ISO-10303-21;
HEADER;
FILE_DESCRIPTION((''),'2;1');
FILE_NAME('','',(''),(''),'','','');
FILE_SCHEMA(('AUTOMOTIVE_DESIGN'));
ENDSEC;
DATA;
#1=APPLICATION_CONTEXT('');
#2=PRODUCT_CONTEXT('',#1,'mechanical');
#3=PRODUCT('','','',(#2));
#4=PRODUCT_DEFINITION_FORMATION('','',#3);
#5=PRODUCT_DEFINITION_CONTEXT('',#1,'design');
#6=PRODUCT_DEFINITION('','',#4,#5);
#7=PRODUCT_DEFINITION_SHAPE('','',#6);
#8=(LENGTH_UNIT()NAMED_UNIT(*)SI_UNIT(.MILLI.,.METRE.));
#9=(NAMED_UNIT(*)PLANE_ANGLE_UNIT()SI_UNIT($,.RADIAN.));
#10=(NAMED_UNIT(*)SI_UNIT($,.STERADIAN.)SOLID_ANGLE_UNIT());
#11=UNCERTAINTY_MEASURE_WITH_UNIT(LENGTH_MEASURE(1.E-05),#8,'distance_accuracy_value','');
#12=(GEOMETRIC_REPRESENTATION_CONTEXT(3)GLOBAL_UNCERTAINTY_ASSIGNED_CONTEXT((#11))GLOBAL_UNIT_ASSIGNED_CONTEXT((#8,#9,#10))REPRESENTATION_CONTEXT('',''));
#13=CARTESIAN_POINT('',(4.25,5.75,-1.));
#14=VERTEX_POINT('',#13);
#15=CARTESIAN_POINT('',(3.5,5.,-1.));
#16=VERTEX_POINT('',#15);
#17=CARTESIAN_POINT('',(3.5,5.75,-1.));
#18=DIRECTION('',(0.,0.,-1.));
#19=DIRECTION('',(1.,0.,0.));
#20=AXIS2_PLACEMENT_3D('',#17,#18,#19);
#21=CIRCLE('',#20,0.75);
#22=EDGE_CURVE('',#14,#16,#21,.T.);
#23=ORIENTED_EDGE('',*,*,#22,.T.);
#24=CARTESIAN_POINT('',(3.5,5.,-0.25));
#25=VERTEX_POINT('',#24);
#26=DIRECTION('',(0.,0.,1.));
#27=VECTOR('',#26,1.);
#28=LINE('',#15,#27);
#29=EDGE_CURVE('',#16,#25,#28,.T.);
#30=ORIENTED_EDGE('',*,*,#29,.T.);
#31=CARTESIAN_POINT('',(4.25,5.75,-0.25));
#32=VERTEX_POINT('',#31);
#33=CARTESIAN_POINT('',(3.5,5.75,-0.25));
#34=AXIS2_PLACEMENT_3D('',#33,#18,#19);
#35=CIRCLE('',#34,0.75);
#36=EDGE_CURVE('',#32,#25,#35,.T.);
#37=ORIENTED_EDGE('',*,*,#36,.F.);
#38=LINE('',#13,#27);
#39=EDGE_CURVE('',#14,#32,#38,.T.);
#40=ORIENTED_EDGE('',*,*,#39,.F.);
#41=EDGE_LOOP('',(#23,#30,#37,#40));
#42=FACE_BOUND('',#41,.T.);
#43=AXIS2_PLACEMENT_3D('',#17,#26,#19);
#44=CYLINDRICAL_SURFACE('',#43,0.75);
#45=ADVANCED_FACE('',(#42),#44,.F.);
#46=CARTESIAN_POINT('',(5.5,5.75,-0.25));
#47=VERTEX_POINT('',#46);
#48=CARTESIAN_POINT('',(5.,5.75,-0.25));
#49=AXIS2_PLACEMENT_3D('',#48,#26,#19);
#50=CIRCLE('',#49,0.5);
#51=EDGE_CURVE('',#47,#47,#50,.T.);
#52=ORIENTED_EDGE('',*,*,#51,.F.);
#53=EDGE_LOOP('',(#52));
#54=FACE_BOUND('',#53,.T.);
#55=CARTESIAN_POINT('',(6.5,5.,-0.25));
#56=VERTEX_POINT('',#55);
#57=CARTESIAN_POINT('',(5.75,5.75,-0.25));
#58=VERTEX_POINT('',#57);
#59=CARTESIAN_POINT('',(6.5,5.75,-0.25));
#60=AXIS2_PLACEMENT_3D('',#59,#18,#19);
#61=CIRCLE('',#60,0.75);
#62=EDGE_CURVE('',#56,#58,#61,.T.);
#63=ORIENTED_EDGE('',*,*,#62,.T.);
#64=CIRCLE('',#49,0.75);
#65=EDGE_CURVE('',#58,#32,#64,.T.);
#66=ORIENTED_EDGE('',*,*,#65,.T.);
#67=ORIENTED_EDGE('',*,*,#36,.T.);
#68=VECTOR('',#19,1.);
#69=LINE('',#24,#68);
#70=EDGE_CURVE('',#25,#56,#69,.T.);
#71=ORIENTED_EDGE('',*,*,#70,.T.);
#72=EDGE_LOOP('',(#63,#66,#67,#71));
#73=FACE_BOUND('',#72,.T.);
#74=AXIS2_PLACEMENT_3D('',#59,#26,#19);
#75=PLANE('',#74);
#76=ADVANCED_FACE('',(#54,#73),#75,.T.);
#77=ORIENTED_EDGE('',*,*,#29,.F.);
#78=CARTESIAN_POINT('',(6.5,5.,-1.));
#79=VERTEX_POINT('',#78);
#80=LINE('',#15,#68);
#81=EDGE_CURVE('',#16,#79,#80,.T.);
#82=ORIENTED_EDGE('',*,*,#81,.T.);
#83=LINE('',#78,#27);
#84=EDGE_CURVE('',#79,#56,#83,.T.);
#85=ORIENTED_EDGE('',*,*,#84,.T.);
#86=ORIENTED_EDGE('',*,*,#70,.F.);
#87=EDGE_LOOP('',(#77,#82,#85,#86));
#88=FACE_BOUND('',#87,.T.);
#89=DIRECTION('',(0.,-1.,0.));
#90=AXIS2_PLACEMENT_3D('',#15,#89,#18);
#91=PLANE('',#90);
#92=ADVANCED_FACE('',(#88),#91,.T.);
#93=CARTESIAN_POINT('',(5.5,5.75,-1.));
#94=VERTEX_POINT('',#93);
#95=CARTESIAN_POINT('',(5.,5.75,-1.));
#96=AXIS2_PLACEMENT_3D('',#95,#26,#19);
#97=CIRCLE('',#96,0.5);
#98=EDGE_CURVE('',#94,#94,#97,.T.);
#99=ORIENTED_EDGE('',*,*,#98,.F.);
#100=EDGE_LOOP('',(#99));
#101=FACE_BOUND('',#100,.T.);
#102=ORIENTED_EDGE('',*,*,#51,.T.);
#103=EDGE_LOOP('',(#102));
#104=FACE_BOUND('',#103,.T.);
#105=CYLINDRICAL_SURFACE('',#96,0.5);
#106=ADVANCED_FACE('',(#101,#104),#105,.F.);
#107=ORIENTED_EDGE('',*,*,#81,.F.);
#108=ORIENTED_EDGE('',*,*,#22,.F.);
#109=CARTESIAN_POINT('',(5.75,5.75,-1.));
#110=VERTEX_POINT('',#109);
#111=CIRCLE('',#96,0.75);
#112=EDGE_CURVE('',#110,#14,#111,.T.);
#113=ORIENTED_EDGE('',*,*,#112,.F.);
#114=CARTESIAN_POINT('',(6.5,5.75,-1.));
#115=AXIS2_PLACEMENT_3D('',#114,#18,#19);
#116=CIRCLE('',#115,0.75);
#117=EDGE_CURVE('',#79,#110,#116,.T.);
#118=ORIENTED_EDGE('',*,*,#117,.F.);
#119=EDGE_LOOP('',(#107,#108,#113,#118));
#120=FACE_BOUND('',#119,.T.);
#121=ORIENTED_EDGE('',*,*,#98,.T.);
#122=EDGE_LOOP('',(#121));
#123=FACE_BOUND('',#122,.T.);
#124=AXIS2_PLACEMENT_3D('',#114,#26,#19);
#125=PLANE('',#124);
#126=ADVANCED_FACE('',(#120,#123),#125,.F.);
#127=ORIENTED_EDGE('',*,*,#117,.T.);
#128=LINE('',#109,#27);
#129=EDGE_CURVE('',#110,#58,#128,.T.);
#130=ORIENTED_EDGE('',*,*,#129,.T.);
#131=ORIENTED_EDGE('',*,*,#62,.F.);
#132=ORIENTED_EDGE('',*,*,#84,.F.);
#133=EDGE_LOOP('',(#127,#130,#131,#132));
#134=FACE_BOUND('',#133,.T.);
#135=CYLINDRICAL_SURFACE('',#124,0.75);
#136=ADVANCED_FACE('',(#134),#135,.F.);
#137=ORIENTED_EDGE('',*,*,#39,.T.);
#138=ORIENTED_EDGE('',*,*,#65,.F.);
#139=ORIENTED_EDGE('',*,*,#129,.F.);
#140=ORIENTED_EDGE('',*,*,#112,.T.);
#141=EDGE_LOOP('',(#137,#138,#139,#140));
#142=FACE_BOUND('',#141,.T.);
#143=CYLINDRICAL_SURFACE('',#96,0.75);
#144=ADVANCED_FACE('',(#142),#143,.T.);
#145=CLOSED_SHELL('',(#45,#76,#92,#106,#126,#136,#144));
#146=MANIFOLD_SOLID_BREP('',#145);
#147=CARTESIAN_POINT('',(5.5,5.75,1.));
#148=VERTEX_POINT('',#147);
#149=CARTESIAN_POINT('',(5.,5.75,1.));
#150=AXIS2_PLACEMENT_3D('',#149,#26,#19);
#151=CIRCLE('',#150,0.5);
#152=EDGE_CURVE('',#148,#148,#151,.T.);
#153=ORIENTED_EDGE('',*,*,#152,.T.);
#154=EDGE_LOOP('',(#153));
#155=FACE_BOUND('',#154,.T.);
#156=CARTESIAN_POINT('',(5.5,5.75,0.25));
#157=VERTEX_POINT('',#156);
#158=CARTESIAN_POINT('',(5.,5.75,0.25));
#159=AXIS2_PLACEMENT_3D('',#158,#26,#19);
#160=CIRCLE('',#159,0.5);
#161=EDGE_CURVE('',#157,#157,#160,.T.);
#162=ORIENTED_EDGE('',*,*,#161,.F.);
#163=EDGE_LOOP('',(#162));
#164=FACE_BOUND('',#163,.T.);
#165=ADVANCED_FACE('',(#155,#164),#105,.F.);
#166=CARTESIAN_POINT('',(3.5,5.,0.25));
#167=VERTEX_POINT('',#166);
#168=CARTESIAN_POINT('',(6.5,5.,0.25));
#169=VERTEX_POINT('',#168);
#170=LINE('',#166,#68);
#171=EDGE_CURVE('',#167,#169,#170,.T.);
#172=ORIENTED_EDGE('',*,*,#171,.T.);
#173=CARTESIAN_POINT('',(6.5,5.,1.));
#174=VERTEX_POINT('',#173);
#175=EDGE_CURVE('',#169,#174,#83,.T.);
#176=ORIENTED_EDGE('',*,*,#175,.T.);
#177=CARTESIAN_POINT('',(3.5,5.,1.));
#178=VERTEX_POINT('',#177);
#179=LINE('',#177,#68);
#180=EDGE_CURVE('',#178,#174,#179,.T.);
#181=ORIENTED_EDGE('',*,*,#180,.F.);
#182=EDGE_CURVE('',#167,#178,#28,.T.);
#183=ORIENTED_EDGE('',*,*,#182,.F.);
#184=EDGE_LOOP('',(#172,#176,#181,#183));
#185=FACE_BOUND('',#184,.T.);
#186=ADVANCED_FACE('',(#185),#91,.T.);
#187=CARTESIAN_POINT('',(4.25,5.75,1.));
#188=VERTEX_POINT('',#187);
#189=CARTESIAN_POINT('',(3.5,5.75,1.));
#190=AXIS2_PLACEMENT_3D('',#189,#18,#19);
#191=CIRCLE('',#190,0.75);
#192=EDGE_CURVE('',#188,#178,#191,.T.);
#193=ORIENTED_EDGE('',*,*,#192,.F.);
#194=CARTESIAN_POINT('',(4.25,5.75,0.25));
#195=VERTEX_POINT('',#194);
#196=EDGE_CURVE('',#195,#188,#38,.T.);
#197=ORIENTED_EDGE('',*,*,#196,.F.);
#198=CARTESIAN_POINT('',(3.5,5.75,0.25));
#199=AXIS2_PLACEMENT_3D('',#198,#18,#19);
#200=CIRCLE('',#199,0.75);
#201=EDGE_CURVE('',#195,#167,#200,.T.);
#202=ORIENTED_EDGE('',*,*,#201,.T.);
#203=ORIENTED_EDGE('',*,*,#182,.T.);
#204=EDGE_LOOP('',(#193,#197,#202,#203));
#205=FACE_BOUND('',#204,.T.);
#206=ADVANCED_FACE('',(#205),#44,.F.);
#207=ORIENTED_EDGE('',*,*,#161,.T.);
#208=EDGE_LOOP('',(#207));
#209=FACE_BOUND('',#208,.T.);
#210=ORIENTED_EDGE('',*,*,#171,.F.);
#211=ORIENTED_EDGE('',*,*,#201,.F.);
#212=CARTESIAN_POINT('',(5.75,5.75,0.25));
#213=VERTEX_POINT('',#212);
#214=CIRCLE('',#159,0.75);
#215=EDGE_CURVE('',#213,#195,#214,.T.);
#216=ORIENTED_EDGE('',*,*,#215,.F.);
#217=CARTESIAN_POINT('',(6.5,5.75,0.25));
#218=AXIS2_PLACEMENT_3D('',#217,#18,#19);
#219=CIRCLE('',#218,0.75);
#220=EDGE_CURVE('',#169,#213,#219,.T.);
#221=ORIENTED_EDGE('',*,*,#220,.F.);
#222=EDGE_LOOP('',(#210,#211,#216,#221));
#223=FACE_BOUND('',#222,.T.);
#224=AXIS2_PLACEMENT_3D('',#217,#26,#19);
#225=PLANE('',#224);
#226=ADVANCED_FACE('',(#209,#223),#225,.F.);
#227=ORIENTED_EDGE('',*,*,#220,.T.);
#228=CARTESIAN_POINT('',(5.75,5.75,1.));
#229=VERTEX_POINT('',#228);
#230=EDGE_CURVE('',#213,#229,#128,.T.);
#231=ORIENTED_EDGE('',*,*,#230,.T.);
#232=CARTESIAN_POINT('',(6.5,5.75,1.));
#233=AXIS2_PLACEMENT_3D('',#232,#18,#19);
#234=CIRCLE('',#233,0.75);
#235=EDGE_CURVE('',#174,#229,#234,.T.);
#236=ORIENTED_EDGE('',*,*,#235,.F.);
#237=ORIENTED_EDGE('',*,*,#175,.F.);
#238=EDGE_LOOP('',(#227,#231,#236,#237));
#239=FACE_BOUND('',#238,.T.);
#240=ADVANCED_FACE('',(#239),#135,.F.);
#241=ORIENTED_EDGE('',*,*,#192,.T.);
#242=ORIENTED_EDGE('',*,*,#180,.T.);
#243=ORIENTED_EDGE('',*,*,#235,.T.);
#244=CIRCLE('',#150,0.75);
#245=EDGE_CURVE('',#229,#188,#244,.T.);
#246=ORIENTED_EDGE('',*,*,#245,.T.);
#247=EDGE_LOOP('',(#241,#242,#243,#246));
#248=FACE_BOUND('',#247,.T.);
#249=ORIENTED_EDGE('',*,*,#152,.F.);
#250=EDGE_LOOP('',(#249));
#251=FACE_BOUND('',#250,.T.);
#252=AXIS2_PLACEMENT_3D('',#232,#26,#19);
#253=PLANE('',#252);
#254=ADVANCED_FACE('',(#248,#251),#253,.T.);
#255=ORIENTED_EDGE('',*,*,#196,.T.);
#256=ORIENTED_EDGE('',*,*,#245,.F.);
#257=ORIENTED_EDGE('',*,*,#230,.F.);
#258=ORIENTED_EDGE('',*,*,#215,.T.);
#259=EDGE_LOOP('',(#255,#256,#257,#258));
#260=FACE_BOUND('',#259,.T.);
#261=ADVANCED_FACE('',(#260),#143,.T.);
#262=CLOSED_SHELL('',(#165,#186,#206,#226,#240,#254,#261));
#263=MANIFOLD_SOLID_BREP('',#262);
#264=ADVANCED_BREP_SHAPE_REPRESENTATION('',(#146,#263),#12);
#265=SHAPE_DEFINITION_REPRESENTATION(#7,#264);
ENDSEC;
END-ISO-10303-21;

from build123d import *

# Parameters (mm, degrees)
EXTRUDE_4_DEPTH          = 1
EXTRUDE_4_DEPTH_BACK     = 1
SKETCH_2_R               = 0.5
CUT_EXTRUDE_2_DEPTH      = 0.25
CUT_EXTRUDE_2_DEPTH_BACK = 0.25
SKETCH_2_7_R             = 0.5


with BuildPart() as part:
    # 草圖2 → 填料-伸長4 (new, two sides: drawn at the far end of the back side and taken through both)
    with BuildSketch(Plane.XY.offset(-EXTRUDE_4_DEPTH_BACK)):
        with BuildLine():
            Line((3.5, 5), (6.5, 5))
            ThreePointArc((6.5, 5), (5.969669914, 5.219669914), (5.75, 5.75))
            ThreePointArc((5.75, 5.75), (5, 6.5), (4.25, 5.75))
            ThreePointArc((4.25, 5.75), (4.030330086, 5.219669914), (3.5, 5))
        make_face()
        with Locations((5, 5.75)):
            Circle(SKETCH_2_R, mode=Mode.SUBTRACT)
    extrude(amount=EXTRUDE_4_DEPTH + EXTRUDE_4_DEPTH_BACK)

    # 草圖2<7> → 除料-伸長2 (cut, two sides: drawn at the far end of the back side and taken through both)
    with BuildSketch(Plane.XY.offset(-CUT_EXTRUDE_2_DEPTH_BACK)):
        with BuildLine():
            Line((3.5, 5), (6.5, 5))
            ThreePointArc((6.5, 5), (5.969669914, 5.219669914), (5.75, 5.75))
            ThreePointArc((5.75, 5.75), (5, 6.5), (4.25, 5.75))
            ThreePointArc((4.25, 5.75), (4.030330086, 5.219669914), (3.5, 5))
        make_face()
        with Locations((5, 5.75)):
            Circle(SKETCH_2_7_R, mode=Mode.SUBTRACT)
    extrude(amount=CUT_EXTRUDE_2_DEPTH + CUT_EXTRUDE_2_DEPTH_BACK, mode=Mode.SUBTRACT)


with BuildPart() as cut_extrude_2_piece_1:
    # of the separate pieces the step leaves, piece 1, a body of its own (cut_extrude_2_pieces)
    add(part.part.solids().sort_by_distance((3.5, 5, 1))[0])


with BuildPart() as cut_extrude_2_piece_2:
    # of the separate pieces the step leaves, piece 2, a body of its own (cut_extrude_2_pieces)
    add(part.part.solids().sort_by_distance((3.5, 5, -0.25))[0])


solid = Compound([cut_extrude_2_piece_1.part, cut_extrude_2_piece_2.part])
